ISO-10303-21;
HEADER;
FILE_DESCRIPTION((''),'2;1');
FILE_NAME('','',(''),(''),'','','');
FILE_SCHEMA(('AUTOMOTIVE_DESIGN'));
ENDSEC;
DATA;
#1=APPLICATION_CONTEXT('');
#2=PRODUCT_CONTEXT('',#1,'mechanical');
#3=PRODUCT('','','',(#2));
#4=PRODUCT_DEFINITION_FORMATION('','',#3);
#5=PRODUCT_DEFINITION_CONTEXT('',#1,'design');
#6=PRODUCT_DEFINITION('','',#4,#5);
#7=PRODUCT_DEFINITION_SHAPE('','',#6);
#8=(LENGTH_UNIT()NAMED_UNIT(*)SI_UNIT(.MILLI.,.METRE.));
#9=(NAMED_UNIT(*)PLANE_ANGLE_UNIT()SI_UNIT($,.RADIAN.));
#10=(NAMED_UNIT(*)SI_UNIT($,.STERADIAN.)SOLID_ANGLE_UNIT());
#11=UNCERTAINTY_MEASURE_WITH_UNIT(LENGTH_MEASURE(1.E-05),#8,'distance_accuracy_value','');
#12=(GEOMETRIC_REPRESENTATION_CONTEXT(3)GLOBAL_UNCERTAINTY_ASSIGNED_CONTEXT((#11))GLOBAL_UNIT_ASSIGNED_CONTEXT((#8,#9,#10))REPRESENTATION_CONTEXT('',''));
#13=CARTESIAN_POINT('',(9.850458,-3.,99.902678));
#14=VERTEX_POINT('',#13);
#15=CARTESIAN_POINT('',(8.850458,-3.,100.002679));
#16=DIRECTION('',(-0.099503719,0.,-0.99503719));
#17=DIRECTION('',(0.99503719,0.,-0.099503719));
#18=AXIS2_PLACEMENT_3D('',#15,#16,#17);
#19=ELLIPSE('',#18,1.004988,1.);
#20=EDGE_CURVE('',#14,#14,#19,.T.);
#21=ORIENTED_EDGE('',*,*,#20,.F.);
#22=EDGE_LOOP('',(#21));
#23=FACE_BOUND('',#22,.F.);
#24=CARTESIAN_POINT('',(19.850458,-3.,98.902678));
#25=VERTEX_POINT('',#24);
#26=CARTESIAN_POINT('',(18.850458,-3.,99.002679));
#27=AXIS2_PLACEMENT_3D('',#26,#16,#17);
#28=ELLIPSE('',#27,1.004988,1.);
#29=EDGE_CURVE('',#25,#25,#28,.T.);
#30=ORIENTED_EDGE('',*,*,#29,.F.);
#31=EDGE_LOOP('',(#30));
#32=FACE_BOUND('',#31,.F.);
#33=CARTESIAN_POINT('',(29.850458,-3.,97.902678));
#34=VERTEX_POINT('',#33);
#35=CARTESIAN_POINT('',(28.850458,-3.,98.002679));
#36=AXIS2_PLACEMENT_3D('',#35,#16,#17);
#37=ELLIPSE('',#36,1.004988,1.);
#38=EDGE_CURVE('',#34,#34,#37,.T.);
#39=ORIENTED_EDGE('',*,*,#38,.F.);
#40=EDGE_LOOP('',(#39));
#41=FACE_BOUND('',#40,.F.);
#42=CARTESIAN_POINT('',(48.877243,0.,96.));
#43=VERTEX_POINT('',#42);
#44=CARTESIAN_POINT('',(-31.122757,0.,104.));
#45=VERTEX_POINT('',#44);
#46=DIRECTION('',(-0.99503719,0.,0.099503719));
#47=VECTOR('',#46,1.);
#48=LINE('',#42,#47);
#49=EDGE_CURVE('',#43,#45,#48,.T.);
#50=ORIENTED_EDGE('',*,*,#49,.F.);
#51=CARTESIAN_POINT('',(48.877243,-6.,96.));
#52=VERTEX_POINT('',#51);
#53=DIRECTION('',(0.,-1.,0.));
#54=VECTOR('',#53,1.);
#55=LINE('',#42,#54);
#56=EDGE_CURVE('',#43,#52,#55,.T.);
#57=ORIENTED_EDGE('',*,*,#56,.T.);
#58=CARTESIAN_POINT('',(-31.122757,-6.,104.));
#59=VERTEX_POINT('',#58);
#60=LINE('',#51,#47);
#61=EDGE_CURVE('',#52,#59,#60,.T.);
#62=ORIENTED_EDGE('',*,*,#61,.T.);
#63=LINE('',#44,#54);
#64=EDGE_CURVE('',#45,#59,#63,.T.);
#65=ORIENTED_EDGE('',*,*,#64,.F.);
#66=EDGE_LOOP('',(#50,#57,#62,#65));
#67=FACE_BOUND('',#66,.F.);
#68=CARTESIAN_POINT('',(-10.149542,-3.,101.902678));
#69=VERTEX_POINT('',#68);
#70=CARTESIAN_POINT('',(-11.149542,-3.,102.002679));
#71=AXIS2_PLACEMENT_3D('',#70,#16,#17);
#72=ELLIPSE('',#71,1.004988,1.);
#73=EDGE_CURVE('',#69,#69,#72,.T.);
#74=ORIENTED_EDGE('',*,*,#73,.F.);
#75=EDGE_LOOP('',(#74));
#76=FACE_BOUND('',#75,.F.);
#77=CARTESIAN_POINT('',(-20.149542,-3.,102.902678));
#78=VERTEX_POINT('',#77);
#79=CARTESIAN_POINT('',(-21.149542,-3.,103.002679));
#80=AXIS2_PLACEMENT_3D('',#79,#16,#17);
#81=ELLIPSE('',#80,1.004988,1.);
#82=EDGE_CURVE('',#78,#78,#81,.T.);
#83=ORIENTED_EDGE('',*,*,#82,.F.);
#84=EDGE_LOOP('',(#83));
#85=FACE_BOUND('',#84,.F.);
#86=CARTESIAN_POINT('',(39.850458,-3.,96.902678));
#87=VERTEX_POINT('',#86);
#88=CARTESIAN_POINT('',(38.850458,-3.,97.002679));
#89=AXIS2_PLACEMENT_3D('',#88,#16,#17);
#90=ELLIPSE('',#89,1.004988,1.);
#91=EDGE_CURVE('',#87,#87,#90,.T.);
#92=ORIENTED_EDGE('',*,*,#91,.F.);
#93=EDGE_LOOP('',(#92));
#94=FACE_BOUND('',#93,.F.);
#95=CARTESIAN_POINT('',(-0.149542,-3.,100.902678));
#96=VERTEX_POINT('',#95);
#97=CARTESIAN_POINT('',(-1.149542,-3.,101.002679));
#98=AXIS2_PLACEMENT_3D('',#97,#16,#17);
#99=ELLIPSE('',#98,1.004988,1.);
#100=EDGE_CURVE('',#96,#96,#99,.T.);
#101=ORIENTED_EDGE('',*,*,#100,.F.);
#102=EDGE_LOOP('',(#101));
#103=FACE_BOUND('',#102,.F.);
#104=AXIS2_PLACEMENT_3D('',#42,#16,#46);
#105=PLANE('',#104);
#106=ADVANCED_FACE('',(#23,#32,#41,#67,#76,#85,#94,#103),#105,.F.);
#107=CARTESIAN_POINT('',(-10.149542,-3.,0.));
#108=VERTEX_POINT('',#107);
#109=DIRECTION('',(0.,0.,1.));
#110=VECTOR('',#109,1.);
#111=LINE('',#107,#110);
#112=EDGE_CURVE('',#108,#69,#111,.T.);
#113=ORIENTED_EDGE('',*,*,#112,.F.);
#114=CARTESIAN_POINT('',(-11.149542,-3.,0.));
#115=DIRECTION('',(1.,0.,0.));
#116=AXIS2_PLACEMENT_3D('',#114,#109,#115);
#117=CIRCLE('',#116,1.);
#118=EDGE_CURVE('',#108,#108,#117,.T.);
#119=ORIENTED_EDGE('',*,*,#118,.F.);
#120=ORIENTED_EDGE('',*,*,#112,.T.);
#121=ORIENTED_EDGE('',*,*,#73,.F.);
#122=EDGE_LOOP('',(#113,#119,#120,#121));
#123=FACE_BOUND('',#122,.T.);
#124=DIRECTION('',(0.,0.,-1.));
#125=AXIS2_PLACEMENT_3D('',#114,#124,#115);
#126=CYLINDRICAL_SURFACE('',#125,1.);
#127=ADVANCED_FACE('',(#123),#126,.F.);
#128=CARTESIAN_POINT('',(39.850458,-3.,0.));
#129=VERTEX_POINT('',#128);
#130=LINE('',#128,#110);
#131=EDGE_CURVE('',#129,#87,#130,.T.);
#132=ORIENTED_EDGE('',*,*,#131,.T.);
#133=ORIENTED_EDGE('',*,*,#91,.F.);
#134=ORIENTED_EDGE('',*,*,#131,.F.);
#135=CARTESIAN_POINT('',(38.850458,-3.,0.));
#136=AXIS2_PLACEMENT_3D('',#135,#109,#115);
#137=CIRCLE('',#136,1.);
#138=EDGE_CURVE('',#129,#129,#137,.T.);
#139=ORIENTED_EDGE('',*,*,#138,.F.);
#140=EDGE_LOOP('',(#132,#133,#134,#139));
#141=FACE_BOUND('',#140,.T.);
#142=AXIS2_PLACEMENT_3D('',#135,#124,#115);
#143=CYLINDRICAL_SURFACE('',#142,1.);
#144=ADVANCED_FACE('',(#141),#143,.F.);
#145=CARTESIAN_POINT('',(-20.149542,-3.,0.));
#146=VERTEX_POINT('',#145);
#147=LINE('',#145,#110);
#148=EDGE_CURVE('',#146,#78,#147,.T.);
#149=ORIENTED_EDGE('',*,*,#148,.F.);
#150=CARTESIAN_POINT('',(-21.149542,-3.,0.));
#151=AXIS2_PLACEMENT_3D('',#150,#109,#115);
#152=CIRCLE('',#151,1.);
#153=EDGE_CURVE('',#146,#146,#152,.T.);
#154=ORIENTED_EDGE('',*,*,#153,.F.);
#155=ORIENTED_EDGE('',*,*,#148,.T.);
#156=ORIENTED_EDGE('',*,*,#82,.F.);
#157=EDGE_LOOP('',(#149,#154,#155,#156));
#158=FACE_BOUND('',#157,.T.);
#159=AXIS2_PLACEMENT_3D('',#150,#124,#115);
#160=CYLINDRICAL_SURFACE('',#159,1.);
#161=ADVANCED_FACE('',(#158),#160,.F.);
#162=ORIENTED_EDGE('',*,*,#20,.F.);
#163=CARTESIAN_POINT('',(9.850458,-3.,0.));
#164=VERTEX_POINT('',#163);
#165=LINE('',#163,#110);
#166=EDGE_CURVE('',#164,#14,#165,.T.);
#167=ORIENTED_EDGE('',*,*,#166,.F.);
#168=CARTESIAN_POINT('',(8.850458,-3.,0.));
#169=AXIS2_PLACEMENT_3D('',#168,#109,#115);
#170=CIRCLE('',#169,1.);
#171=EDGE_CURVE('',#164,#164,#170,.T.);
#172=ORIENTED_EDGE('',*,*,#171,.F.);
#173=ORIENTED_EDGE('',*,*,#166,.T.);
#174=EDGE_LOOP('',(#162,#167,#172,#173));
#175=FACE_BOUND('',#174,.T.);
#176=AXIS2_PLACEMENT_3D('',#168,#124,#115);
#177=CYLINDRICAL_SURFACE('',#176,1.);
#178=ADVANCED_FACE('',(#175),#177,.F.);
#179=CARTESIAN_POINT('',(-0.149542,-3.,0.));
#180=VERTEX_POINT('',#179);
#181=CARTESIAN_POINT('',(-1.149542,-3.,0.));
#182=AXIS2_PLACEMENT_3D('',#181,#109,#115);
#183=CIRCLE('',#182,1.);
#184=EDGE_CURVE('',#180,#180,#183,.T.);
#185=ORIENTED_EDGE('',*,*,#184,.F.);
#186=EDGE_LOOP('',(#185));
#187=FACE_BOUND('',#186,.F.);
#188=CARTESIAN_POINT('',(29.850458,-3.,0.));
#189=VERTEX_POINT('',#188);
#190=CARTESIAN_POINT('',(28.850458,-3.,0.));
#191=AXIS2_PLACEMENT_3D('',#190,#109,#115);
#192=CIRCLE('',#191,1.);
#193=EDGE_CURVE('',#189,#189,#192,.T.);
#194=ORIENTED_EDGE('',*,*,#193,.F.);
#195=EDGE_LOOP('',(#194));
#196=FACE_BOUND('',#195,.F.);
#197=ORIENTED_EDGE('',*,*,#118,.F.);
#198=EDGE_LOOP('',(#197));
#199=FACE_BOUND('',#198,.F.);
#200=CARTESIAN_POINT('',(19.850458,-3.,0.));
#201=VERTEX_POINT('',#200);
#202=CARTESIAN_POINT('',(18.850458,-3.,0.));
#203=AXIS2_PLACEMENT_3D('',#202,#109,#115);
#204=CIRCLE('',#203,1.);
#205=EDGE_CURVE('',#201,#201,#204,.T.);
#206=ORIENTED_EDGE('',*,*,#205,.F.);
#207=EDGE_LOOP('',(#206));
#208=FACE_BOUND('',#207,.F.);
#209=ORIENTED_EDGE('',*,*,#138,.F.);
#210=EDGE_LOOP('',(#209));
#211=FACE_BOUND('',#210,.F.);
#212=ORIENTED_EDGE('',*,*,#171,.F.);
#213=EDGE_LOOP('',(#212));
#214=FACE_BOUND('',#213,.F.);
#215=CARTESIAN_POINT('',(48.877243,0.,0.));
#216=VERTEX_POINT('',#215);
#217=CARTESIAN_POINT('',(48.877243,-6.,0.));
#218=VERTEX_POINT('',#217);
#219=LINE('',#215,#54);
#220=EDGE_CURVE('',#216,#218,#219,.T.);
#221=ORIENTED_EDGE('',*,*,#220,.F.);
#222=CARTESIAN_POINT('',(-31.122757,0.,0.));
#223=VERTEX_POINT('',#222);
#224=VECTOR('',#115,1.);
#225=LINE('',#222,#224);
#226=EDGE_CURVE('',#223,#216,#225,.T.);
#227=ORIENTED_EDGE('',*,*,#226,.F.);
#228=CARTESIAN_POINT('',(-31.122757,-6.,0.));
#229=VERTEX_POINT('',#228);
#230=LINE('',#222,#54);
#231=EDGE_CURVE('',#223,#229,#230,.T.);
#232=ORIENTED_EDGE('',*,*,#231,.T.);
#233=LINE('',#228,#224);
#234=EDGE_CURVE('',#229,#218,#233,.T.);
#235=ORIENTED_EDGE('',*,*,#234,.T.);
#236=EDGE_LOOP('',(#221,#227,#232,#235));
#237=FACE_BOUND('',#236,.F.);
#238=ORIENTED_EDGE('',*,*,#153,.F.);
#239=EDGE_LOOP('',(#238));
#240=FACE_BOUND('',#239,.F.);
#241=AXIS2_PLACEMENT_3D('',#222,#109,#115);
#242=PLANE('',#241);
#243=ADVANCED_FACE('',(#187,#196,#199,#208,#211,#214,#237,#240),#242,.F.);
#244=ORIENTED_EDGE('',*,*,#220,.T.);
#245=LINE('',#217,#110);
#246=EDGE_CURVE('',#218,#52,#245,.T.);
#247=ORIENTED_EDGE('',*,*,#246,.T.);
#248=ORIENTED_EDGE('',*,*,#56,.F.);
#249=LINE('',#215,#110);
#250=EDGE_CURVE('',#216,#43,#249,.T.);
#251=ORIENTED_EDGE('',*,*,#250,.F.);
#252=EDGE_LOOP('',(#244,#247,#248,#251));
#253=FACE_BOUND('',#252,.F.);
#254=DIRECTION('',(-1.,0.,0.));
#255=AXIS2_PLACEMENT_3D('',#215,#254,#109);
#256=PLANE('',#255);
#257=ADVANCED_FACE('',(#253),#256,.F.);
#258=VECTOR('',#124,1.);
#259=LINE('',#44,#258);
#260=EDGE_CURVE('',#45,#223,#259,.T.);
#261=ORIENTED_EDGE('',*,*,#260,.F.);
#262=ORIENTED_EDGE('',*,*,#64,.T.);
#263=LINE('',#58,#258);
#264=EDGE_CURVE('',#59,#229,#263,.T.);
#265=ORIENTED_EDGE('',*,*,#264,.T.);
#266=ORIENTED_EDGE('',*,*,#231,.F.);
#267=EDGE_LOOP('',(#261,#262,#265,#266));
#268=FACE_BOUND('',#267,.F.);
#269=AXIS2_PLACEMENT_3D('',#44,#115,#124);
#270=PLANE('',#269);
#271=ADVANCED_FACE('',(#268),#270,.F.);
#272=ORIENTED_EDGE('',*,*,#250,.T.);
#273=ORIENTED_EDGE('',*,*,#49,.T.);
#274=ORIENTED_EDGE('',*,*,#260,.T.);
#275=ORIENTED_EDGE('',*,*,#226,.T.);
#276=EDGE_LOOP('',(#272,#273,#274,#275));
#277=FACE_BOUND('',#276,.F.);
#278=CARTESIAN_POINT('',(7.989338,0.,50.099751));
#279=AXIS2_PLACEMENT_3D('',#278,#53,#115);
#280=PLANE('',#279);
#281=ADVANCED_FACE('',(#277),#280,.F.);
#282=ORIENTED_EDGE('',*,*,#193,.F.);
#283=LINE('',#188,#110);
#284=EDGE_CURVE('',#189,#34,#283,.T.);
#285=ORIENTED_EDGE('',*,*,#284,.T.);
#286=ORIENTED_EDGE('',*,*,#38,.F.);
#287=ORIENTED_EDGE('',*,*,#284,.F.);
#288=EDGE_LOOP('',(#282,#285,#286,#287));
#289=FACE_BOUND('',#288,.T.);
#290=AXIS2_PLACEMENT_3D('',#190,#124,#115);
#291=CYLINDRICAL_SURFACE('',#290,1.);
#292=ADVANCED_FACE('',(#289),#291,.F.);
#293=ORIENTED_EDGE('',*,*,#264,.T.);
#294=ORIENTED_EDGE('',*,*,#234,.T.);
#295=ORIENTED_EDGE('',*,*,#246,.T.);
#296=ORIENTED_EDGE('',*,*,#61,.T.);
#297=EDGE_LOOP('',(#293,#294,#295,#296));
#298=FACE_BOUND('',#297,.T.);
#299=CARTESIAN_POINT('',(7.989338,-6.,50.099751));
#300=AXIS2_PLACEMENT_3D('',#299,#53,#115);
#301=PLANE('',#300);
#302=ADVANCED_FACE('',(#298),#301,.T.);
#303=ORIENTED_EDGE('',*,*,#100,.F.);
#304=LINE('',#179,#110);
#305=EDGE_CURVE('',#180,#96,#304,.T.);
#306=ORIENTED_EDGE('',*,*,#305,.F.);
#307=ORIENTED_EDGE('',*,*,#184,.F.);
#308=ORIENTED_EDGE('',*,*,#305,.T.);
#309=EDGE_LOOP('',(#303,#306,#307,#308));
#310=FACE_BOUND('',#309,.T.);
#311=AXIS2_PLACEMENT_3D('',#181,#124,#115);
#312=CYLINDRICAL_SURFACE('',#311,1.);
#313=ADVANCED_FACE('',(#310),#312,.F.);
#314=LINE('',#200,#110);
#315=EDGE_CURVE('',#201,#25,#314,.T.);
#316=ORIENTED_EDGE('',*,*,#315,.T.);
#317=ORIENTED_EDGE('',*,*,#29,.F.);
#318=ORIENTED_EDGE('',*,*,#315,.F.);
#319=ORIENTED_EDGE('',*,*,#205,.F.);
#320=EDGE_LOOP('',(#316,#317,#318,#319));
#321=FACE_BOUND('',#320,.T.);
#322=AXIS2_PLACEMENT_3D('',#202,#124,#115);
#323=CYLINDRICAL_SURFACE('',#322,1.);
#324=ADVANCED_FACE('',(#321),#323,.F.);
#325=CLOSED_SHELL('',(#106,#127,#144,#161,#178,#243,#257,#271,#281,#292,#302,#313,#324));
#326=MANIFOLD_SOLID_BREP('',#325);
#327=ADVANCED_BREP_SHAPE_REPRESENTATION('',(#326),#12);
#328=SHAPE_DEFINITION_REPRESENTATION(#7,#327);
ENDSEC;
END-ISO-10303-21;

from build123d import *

# Parameters (mm, degrees)
F1_DEPTH = 6
F2_R     = 1
F3_DEPTH = 110


with BuildPart() as f1:
    # F0 (on Front) → F1 (new body)
    with BuildSketch(Plane.XZ):
        Polygon((-31.122757, 104), (-31.122757, 0), (48.877243, 0), (48.877243, 96), align=None)
    extrude(amount=F1_DEPTH)

    # F2 (on Top) → F3 (cut)
    with BuildSketch(Plane.XY):
        with Locations((-21.149542, -3)):
            Circle(F2_R)
        with Locations((-11.149542, -3)):
            Circle(F2_R)
        with Locations((-1.149542, -3)):
            Circle(F2_R)
        with Locations((8.850458, -3)):
            Circle(F2_R)
        with Locations((18.850458, -3)):
            Circle(F2_R)
        with Locations((28.850458, -3)):
            Circle(F2_R)
        with Locations((38.850458, -3)):
            Circle(F2_R)
    extrude(amount=F3_DEPTH, mode=Mode.SUBTRACT)


solid = f1.part
